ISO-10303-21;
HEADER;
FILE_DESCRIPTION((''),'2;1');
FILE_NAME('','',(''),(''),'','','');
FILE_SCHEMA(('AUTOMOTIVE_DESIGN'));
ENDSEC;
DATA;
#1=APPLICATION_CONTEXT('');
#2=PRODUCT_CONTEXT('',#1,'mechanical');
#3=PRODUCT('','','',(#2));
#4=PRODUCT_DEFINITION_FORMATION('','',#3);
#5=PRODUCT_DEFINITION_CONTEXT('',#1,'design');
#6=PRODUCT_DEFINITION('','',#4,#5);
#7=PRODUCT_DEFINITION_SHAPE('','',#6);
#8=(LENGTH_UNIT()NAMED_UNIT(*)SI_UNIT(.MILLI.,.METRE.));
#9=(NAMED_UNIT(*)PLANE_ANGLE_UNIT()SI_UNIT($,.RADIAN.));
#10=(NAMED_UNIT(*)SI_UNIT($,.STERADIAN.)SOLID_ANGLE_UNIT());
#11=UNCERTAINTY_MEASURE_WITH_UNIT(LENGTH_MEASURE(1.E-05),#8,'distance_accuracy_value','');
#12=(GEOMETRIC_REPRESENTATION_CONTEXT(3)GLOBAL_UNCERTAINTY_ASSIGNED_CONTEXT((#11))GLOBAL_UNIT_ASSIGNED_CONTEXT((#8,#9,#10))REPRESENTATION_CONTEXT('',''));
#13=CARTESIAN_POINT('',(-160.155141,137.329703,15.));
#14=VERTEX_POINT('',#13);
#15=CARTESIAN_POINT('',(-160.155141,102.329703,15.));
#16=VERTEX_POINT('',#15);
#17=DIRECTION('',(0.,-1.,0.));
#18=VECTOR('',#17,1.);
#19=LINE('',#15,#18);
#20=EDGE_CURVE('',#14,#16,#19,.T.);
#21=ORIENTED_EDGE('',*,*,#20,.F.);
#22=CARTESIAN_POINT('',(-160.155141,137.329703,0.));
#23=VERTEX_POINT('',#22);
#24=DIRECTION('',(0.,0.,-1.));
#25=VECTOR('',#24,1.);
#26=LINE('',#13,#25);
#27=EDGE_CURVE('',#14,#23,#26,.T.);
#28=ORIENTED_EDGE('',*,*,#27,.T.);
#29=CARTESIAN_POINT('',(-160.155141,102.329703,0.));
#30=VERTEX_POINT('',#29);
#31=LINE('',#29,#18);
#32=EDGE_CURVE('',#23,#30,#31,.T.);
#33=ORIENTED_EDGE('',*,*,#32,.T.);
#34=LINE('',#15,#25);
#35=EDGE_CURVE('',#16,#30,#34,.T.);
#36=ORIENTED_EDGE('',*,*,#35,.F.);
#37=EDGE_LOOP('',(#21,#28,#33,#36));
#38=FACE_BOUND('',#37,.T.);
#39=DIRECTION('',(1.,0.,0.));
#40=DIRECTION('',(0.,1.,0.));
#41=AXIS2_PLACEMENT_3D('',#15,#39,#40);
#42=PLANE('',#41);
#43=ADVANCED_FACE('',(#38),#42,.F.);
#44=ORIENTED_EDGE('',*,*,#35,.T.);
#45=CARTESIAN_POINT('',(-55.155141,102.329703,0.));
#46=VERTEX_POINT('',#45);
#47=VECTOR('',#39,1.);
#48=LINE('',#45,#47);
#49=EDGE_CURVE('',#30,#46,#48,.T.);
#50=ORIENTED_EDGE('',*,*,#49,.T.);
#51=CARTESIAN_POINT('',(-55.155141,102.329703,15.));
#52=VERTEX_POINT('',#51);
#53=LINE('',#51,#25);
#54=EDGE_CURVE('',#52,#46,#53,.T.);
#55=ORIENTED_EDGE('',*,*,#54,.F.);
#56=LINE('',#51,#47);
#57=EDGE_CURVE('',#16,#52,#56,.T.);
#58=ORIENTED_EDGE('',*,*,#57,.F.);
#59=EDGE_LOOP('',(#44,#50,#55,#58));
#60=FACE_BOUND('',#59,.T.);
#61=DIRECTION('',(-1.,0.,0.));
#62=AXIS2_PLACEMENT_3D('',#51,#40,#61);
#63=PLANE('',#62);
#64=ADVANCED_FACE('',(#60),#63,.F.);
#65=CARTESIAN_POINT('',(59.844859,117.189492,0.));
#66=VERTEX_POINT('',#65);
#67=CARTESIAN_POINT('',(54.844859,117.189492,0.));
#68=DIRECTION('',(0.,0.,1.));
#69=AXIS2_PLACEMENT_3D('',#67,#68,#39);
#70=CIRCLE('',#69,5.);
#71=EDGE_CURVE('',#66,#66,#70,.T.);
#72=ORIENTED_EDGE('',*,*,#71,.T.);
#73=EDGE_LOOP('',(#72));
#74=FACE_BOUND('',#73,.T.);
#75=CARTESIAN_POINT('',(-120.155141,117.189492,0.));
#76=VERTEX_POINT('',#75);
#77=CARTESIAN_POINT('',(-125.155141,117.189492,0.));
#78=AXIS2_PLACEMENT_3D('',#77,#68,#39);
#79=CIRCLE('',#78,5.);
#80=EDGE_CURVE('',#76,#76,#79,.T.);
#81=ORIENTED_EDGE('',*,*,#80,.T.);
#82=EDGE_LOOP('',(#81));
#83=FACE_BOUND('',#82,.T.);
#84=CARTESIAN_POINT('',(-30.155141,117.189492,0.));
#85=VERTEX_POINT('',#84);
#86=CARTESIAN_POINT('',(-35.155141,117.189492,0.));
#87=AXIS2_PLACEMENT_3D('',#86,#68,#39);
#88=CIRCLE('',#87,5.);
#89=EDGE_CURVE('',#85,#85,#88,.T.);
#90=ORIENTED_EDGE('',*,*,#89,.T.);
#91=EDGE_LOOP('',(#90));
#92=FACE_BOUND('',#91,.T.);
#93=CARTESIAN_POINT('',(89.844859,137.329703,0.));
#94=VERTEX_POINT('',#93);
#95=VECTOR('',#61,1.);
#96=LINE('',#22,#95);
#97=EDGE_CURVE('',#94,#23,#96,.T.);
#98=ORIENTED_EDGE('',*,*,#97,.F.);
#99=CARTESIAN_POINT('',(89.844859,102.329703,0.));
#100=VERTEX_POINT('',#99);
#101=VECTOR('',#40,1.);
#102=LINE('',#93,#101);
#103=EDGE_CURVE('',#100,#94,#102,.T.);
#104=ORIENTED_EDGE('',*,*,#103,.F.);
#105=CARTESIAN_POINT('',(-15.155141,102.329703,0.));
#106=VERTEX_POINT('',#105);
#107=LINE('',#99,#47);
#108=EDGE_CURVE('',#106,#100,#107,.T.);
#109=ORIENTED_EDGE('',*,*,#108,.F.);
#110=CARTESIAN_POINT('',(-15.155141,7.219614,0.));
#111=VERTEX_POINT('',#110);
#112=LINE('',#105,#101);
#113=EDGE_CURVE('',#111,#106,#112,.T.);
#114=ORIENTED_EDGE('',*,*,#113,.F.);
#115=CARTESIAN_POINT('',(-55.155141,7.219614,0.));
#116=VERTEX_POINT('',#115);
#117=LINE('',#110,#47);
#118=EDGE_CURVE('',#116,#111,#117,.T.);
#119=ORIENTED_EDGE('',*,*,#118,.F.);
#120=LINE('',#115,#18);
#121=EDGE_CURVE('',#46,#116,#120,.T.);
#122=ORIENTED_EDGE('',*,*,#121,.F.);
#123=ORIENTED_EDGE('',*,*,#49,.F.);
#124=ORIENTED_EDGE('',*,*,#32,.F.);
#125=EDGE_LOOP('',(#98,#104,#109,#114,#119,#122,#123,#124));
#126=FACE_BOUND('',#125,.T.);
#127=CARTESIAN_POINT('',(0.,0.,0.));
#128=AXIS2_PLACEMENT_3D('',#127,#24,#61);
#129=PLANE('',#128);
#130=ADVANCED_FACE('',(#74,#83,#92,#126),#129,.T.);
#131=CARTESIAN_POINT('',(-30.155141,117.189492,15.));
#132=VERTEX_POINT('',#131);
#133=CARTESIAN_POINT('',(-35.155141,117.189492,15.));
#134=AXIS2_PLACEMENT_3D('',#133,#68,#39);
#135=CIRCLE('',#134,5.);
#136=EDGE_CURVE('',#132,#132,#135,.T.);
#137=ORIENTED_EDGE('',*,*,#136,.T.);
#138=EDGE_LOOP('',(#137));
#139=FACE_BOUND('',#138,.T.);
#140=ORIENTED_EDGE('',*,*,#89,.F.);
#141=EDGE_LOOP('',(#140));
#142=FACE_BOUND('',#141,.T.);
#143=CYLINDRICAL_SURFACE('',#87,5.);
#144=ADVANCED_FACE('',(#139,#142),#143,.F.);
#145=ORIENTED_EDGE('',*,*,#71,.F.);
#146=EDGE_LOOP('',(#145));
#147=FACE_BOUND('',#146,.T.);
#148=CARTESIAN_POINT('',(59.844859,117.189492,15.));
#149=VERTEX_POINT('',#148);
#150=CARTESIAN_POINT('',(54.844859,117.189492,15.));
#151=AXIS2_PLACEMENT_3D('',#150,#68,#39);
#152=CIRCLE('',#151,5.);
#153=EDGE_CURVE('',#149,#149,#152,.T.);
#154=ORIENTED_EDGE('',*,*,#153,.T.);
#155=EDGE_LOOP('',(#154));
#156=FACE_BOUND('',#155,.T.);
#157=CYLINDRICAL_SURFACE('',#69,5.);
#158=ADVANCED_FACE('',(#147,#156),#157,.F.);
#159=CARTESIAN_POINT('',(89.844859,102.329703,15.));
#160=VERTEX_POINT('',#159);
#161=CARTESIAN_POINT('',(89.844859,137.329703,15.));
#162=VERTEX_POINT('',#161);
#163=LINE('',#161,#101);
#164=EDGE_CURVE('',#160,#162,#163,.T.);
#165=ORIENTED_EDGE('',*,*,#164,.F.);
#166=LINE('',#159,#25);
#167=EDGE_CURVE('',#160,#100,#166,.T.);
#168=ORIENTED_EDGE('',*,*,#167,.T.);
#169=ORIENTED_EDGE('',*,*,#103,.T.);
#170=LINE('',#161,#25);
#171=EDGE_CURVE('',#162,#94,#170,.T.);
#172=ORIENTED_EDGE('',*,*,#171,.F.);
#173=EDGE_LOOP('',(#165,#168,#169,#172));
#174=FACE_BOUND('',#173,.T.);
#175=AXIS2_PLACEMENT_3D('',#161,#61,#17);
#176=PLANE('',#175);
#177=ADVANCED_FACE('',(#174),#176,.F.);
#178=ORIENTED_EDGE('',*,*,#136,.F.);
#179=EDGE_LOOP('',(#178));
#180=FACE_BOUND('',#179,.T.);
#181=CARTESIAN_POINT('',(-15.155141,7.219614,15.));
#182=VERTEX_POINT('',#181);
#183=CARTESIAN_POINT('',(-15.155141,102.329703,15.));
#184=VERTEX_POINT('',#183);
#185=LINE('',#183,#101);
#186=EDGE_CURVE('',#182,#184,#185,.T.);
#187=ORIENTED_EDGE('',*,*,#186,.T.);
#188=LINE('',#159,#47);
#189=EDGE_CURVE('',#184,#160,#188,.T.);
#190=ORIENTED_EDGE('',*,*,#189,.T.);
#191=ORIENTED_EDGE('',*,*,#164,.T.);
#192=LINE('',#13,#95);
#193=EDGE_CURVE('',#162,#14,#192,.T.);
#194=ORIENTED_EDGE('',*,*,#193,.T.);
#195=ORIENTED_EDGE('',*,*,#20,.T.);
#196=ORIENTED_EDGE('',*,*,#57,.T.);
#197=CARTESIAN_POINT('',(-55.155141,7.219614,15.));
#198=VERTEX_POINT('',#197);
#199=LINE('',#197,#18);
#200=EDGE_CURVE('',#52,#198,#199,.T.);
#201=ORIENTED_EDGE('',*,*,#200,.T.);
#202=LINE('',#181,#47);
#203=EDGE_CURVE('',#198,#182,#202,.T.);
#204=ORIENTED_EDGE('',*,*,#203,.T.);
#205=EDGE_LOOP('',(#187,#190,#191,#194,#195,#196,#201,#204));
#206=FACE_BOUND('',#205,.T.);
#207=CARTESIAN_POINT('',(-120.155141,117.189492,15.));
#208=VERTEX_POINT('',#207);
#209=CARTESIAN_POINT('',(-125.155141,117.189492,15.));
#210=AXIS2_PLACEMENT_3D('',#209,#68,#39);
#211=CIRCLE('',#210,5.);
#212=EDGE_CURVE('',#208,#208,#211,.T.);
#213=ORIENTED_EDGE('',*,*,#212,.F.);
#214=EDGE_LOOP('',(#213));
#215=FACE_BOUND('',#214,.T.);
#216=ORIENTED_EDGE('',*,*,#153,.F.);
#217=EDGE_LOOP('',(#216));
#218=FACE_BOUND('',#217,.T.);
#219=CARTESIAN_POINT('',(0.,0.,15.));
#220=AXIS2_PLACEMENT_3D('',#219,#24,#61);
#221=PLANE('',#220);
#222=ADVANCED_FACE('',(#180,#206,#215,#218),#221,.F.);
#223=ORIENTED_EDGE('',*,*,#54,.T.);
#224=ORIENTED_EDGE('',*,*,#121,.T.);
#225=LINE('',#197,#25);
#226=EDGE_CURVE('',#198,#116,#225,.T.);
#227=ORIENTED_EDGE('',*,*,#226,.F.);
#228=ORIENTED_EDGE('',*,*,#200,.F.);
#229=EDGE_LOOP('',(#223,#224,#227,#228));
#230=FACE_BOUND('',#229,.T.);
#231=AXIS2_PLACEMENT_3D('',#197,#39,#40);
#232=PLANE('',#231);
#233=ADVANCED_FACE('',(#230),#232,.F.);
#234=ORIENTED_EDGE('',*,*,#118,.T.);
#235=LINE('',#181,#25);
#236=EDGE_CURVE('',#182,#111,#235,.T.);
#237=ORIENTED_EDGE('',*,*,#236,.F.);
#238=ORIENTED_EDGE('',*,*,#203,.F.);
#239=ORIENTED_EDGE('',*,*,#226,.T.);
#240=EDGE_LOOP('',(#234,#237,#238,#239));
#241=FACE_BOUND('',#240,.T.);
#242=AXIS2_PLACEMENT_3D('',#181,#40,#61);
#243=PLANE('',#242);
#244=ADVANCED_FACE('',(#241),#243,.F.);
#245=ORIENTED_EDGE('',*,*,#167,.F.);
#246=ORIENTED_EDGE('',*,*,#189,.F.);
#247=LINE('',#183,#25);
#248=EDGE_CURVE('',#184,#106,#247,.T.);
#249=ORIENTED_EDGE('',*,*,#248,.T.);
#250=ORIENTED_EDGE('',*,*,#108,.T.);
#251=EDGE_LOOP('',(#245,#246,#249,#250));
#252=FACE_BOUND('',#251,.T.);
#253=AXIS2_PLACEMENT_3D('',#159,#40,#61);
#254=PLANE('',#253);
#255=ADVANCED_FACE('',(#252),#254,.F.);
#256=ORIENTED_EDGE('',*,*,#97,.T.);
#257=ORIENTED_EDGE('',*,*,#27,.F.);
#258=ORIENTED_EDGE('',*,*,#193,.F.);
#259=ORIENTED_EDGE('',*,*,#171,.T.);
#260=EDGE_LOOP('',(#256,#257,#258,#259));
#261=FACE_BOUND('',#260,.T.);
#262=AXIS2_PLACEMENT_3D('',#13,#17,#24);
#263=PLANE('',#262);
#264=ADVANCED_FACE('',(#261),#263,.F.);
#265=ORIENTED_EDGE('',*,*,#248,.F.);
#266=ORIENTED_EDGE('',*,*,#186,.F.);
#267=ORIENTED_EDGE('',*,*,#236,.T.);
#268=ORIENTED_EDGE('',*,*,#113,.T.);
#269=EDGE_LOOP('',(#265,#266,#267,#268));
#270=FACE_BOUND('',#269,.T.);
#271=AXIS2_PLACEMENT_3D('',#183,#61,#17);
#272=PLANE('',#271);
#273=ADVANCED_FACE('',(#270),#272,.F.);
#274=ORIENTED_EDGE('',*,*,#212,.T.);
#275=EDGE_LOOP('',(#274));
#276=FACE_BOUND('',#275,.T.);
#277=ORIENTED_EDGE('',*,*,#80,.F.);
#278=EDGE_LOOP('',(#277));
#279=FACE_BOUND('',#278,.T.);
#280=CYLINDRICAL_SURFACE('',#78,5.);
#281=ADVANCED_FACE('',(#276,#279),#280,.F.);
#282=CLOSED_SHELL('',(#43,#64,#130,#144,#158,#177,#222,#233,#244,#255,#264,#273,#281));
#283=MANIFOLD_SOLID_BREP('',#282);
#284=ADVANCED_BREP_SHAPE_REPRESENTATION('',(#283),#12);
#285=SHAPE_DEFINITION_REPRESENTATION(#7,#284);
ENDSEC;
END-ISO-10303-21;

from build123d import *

# Parameters (mm, degrees)
EXTRUDE_1_DEPTH     = 15
SKETCH_2_R          = 5
CUT_EXTRUDE_1_DEPTH = 212.504412291


with BuildPart() as part:
    # 草圖1 → 填料-伸長1 (new body)
    with BuildSketch(Plane.XY):
        Polygon((-15.155141061, 7.219614063), (-55.155141061, 7.219614063), (-55.155141061, 102.329702578), (-160.155141061, 102.329702578), (-160.155141061, 137.329702578), (89.844858939, 137.329702578), (89.844858939, 102.329702578), (-15.155141061, 102.329702578), align=None)
    extrude(amount=EXTRUDE_1_DEPTH)

    # 草圖2 → 除料-伸長1 (cut, through all)
    with BuildSketch(Plane.XY.offset(15)):
        with Locations((54.844858939, 117.189491535)):
            Circle(SKETCH_2_R)
        with Locations((-35.155141061, 117.189491535)):
            Circle(SKETCH_2_R)
        with Locations((-125.155141061, 117.189491535)):
            Circle(SKETCH_2_R)
    extrude(amount=-CUT_EXTRUDE_1_DEPTH, mode=Mode.SUBTRACT)


solid = part.part
